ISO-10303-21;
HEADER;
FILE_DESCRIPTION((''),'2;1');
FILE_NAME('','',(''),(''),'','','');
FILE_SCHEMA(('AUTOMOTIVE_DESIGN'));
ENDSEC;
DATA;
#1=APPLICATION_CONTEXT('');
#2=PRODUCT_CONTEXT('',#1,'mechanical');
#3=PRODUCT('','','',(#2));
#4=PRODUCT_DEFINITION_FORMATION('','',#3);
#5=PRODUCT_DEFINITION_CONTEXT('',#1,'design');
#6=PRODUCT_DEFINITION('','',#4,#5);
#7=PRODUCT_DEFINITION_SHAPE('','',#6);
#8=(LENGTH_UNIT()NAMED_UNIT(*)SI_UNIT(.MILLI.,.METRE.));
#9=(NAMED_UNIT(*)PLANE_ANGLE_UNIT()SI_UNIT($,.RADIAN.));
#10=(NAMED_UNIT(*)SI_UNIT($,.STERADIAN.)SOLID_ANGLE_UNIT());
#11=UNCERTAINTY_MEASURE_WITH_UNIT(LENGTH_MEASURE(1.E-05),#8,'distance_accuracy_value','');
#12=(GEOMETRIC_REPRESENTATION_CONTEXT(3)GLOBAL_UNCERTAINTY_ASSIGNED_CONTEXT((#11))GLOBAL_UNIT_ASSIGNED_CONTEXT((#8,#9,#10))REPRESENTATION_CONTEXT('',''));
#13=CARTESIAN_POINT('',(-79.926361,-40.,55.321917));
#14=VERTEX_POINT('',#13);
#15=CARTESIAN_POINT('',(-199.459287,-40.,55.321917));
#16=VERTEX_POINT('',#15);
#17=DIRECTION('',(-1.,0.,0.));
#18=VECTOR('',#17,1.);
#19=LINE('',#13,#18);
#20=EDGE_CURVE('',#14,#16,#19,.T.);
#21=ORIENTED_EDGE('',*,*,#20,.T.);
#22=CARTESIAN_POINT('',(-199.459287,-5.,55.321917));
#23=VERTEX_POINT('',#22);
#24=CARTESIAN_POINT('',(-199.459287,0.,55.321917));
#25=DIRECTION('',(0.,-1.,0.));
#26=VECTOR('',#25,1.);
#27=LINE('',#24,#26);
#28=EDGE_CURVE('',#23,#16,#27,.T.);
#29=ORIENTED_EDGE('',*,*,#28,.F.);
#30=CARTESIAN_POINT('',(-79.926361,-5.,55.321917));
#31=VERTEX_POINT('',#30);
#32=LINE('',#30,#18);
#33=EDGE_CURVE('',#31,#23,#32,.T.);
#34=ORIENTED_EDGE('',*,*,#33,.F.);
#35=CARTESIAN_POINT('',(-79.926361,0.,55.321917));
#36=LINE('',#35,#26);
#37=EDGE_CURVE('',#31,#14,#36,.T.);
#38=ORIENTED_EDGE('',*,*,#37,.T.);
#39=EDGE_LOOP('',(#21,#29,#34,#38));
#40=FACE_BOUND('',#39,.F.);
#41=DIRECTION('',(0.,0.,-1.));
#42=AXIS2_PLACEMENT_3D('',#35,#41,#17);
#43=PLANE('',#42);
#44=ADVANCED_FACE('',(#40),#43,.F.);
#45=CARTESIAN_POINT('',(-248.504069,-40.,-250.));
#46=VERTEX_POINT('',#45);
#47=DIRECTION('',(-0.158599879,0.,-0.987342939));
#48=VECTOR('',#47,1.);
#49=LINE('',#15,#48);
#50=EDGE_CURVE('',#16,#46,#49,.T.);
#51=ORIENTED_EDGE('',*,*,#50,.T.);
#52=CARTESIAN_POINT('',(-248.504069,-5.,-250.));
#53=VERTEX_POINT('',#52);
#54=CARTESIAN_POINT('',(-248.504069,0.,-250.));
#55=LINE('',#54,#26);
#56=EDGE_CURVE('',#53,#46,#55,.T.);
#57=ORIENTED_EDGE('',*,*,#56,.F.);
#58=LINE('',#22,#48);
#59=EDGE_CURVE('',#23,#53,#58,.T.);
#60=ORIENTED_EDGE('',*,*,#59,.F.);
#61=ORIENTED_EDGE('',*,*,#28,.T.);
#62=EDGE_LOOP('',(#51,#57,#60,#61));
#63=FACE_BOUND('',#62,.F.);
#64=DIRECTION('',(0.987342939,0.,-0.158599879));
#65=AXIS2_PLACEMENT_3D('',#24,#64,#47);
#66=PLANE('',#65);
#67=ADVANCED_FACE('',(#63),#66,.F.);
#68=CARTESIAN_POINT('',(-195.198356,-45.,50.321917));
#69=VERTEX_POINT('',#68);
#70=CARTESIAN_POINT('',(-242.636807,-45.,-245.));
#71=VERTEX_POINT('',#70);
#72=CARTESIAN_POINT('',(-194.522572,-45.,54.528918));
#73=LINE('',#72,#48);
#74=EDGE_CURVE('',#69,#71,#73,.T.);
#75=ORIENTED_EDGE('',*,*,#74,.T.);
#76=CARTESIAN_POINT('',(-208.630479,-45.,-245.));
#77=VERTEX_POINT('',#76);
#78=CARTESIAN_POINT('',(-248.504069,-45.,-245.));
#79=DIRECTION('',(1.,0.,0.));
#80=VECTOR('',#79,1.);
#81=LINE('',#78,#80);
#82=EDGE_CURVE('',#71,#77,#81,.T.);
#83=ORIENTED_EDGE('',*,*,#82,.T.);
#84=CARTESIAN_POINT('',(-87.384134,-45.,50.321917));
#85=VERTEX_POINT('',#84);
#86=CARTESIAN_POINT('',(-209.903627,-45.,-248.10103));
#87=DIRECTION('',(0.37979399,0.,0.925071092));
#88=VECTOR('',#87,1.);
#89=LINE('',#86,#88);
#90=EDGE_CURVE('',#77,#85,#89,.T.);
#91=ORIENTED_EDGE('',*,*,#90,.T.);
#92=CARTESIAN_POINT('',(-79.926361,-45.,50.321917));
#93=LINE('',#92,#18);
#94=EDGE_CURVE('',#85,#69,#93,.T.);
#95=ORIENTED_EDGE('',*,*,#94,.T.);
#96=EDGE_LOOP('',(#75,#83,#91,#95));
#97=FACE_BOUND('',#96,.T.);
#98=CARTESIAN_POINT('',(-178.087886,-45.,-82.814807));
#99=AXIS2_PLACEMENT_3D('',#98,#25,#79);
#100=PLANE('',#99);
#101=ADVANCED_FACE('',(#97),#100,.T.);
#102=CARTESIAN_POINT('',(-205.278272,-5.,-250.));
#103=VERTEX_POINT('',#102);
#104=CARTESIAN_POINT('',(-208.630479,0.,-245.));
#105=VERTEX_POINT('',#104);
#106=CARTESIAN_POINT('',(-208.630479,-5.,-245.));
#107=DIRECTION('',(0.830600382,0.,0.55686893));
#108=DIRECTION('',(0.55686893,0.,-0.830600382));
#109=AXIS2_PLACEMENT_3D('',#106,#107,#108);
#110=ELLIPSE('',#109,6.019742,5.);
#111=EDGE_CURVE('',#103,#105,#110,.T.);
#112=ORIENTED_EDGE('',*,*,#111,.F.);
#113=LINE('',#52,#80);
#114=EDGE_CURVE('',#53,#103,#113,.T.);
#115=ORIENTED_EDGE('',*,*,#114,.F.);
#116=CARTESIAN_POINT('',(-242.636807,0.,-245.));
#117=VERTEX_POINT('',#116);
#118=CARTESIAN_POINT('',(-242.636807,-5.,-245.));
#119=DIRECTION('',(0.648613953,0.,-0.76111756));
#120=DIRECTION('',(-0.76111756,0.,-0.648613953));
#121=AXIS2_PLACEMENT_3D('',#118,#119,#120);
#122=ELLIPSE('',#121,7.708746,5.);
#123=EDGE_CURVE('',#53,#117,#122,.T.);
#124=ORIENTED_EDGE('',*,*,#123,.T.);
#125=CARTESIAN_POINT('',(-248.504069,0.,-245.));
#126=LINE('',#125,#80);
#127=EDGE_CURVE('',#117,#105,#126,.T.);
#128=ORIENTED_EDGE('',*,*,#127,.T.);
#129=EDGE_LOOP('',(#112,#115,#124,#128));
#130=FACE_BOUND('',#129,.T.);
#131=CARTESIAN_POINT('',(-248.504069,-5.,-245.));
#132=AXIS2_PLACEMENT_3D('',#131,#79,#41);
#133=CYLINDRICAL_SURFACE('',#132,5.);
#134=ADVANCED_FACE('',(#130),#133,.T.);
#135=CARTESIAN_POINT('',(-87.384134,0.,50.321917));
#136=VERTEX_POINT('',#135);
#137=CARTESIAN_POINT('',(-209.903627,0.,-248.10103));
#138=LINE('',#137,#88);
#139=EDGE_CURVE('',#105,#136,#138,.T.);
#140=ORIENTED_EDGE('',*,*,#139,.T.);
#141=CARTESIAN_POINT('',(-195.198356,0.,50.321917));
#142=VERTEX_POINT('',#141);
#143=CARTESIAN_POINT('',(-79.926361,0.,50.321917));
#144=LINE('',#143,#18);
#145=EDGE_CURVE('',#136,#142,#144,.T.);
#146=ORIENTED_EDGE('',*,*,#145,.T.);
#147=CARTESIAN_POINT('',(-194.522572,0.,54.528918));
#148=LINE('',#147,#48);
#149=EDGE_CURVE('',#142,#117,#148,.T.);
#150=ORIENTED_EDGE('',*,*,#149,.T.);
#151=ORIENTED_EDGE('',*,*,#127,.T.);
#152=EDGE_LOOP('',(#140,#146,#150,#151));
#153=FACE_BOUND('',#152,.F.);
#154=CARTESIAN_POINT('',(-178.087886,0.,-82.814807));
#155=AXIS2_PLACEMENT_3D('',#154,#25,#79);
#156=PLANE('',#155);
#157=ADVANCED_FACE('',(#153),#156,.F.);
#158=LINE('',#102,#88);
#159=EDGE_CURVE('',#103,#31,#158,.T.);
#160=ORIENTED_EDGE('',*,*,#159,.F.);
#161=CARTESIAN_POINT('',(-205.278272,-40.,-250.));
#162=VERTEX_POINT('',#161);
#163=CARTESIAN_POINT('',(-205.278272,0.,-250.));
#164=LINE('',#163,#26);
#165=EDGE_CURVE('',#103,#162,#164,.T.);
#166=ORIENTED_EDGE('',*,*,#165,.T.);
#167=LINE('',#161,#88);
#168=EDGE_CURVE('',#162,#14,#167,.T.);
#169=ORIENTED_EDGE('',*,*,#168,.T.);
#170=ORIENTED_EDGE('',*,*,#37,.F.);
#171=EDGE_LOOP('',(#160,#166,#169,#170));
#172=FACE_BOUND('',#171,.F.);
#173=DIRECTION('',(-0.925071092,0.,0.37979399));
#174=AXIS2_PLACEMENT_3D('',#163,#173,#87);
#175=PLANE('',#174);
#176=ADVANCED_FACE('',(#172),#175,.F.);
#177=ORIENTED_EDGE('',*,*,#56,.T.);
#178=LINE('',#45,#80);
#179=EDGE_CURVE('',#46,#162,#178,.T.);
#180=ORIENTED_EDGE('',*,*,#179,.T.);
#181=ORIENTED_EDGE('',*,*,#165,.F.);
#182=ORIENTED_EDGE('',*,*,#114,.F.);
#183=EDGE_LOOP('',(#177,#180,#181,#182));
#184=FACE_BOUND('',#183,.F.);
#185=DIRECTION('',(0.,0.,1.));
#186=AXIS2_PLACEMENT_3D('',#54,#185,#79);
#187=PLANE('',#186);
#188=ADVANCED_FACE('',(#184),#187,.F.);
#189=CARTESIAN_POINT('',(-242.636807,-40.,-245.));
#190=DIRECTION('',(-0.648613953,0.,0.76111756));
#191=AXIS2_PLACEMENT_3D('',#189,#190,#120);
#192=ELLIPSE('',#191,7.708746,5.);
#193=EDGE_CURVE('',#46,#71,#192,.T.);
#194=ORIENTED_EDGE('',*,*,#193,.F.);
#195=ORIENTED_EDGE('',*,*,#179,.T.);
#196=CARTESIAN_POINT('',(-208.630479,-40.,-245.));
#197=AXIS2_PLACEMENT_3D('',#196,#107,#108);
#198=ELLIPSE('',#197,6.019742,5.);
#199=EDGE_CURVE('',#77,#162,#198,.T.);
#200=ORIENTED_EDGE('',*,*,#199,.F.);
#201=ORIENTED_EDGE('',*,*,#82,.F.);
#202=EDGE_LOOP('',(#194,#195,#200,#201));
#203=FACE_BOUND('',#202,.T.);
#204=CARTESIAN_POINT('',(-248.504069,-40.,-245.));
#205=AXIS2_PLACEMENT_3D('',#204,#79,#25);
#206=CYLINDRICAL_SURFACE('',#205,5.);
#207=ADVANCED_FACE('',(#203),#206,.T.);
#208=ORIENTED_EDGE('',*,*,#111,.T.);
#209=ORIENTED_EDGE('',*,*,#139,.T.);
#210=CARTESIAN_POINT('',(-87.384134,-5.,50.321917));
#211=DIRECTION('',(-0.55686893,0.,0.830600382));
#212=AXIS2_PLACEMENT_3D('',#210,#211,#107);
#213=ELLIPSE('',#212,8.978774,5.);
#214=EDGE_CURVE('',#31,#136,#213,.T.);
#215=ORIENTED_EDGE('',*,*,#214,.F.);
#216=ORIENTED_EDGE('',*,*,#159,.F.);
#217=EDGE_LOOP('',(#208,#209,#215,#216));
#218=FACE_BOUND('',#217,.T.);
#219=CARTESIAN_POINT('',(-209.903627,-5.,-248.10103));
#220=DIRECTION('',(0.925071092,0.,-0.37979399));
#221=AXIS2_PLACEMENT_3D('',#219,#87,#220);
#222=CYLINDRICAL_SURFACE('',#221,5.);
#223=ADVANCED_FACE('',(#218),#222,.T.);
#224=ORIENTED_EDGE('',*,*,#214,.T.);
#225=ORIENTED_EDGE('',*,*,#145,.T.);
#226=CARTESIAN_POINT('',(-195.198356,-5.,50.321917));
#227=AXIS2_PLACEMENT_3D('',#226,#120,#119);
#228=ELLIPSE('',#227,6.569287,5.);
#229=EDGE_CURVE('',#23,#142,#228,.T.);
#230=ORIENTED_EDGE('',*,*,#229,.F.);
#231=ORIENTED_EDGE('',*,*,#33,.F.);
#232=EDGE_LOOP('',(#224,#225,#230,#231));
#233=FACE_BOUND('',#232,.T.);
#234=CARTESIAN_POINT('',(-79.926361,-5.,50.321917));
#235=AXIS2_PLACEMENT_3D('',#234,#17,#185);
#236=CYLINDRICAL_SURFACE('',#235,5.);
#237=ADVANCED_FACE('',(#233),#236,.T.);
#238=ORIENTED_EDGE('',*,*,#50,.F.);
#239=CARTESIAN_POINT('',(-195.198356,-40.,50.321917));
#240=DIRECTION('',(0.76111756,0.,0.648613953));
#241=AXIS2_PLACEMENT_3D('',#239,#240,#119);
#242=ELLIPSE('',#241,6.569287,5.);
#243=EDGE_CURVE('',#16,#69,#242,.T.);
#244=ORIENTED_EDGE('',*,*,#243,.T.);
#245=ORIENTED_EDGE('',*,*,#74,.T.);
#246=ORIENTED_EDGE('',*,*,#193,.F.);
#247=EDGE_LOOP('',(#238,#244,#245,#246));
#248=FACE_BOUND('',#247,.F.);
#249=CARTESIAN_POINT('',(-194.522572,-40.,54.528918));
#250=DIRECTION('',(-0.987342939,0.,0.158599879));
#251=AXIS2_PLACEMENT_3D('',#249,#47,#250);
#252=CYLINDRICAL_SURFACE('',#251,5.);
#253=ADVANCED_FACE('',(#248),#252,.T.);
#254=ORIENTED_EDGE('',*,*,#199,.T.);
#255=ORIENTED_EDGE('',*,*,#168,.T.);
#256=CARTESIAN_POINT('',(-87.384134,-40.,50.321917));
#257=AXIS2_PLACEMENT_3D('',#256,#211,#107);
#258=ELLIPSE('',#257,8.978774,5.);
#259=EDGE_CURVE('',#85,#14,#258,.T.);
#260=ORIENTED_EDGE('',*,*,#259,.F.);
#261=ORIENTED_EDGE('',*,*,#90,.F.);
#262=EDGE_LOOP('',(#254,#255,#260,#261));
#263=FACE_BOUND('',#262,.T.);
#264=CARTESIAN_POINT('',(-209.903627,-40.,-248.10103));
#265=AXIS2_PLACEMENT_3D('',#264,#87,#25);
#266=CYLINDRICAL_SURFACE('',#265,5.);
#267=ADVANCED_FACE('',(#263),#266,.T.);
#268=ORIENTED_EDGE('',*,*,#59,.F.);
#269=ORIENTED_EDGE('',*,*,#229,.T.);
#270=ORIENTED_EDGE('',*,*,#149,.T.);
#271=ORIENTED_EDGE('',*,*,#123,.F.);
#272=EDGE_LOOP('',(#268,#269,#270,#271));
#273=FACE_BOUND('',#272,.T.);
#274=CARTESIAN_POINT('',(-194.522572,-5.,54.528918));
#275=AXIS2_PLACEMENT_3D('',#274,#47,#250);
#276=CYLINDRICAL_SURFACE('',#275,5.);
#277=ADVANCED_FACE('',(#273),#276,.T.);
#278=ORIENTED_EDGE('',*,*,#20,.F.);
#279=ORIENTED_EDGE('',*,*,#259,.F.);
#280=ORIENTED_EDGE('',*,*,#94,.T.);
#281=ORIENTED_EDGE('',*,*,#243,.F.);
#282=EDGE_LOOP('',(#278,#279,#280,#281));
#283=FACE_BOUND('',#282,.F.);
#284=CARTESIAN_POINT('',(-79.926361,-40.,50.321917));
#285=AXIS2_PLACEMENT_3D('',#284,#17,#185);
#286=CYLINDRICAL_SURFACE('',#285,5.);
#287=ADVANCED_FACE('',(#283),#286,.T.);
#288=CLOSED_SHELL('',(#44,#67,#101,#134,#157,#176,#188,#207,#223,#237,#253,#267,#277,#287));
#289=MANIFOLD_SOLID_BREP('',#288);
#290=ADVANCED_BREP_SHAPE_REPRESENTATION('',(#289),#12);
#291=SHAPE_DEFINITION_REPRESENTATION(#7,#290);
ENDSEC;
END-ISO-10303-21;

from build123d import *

# Parameters (mm, degrees)
F1_DEPTH = 45
F2_R     = 5
F3_R     = 5


with BuildPart() as f1:
    # F0 (on Front) → F1 (new body)
    with BuildSketch(Plane.XZ):
        Polygon((-199.459287, 55.321917), (-248.504069, -250), (-205.278272, -250), (-79.926361, 55.321917), align=None)
    extrude(amount=F1_DEPTH)

    # F2
    f2_edges = [f1.edges().sort_by_distance(p)[0] for p in [
        (-223.981678, 0, -97.339041),
        (-226.891171, 0, -250),
        (-142.602317, 0, -97.339041),
        (-139.692824, 0, 55.321917),
    ]]
    fillet(f2_edges, radius=F2_R)

    # F3
    f3_edges = [f1.edges().sort_by_distance(p)[0] for p in [
        (-223.981678, -45, -97.339041),
        (-226.891171, -45, -250),
        (-142.602317, -45, -97.339041),
        (-139.692824, -45, 55.321917),
    ]]
    fillet(f3_edges, radius=F3_R)


solid = f1.part
